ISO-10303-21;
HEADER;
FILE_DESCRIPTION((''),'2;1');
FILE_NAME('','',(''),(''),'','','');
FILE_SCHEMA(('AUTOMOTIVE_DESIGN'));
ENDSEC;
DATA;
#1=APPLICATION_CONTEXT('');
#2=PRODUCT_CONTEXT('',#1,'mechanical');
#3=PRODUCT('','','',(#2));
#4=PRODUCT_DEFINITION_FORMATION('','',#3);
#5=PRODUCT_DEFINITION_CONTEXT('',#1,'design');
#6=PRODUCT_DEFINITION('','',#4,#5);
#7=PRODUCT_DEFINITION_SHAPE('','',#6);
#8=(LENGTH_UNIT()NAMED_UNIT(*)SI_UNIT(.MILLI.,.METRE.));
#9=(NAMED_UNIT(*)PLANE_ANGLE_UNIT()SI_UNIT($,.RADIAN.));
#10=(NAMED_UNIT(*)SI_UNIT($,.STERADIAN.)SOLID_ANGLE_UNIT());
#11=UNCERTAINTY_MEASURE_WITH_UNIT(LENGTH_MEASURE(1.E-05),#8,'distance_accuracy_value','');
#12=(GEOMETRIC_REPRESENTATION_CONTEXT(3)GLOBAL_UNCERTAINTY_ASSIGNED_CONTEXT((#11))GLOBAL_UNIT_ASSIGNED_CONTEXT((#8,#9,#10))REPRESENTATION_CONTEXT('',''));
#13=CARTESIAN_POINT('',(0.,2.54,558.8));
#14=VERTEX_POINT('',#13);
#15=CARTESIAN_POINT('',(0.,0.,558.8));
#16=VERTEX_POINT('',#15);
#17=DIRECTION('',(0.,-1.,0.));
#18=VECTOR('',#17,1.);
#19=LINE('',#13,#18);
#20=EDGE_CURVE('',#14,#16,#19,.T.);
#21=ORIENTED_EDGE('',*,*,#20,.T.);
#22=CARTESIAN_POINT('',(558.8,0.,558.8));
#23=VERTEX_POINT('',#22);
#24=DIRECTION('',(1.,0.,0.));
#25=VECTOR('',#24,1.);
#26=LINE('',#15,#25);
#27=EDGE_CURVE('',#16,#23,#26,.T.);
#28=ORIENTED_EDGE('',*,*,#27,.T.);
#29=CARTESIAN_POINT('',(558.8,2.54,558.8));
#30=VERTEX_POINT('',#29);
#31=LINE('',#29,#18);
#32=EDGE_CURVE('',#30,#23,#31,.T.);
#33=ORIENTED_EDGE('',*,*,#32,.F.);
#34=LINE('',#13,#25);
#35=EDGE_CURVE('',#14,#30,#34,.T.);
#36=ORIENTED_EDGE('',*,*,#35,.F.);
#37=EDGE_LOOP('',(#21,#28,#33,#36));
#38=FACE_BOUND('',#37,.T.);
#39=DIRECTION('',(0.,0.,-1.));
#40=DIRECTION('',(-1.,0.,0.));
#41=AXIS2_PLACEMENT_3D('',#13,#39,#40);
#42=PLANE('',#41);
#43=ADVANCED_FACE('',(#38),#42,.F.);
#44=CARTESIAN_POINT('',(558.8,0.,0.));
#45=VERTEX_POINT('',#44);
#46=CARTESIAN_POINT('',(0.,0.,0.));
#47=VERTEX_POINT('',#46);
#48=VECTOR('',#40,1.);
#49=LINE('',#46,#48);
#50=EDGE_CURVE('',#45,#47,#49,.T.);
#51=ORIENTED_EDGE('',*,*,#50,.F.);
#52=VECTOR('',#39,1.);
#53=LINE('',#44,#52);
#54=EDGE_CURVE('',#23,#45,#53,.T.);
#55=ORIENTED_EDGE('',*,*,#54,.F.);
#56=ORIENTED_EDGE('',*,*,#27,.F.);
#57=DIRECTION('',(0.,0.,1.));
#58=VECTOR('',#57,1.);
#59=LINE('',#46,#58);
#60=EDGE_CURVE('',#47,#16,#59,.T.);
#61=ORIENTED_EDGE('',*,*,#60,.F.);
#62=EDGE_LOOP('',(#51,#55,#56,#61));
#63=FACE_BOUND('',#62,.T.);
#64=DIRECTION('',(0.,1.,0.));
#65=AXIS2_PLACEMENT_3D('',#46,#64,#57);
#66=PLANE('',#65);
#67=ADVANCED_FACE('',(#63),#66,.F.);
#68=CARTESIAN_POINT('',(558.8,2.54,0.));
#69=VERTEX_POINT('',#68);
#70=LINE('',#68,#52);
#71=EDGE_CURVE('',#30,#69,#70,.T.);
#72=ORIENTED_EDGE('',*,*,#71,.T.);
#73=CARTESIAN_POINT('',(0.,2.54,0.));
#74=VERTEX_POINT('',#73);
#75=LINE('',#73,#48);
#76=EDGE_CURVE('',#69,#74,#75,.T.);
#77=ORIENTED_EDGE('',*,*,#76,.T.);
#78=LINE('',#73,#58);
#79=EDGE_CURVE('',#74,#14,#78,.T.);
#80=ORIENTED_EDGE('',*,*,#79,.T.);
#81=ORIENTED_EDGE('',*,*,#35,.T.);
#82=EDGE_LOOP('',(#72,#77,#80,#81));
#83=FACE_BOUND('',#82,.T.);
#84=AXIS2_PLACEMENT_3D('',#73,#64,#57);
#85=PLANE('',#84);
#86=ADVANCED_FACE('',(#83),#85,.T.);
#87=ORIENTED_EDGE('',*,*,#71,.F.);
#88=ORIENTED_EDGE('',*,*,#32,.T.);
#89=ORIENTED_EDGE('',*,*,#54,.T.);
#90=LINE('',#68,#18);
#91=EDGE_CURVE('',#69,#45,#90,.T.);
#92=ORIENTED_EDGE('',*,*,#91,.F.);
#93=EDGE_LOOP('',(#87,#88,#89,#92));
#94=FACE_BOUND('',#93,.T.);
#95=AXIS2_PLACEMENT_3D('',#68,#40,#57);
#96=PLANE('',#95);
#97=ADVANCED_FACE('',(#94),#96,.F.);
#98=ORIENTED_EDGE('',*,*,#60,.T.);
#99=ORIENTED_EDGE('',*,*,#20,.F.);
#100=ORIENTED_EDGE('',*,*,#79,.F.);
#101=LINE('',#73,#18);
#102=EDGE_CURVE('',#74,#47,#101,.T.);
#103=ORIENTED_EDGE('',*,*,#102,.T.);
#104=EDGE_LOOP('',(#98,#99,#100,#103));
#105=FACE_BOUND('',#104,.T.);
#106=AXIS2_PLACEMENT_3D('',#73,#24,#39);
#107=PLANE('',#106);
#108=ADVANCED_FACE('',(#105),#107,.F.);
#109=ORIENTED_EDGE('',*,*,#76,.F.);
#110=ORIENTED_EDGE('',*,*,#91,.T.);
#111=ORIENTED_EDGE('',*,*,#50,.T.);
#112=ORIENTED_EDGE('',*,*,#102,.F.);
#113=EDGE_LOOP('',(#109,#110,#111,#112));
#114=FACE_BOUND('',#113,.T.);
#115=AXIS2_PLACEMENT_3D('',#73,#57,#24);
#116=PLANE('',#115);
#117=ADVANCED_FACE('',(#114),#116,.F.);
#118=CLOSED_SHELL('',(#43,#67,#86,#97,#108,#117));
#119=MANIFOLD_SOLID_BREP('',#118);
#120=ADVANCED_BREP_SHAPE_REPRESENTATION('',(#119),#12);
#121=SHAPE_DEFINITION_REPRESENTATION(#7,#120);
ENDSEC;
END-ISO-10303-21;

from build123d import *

# Parameters (mm, degrees)
SKETCH1_W           = 558.8
SKETCH1_H           = 558.8
BOSS_EXTRUDE1_DEPTH = 2.54


with BuildPart() as part:
    # Sketch1 → Boss-Extrude1 (new body)
    with BuildSketch(Plane(origin=(0, 0, 0), x_dir=(1, 0, 0), z_dir=(0, 1, 0))):
        with Locations((279.4, -279.4)):
            Rectangle(SKETCH1_W, SKETCH1_H)
    extrude(amount=BOSS_EXTRUDE1_DEPTH)


solid = part.part
